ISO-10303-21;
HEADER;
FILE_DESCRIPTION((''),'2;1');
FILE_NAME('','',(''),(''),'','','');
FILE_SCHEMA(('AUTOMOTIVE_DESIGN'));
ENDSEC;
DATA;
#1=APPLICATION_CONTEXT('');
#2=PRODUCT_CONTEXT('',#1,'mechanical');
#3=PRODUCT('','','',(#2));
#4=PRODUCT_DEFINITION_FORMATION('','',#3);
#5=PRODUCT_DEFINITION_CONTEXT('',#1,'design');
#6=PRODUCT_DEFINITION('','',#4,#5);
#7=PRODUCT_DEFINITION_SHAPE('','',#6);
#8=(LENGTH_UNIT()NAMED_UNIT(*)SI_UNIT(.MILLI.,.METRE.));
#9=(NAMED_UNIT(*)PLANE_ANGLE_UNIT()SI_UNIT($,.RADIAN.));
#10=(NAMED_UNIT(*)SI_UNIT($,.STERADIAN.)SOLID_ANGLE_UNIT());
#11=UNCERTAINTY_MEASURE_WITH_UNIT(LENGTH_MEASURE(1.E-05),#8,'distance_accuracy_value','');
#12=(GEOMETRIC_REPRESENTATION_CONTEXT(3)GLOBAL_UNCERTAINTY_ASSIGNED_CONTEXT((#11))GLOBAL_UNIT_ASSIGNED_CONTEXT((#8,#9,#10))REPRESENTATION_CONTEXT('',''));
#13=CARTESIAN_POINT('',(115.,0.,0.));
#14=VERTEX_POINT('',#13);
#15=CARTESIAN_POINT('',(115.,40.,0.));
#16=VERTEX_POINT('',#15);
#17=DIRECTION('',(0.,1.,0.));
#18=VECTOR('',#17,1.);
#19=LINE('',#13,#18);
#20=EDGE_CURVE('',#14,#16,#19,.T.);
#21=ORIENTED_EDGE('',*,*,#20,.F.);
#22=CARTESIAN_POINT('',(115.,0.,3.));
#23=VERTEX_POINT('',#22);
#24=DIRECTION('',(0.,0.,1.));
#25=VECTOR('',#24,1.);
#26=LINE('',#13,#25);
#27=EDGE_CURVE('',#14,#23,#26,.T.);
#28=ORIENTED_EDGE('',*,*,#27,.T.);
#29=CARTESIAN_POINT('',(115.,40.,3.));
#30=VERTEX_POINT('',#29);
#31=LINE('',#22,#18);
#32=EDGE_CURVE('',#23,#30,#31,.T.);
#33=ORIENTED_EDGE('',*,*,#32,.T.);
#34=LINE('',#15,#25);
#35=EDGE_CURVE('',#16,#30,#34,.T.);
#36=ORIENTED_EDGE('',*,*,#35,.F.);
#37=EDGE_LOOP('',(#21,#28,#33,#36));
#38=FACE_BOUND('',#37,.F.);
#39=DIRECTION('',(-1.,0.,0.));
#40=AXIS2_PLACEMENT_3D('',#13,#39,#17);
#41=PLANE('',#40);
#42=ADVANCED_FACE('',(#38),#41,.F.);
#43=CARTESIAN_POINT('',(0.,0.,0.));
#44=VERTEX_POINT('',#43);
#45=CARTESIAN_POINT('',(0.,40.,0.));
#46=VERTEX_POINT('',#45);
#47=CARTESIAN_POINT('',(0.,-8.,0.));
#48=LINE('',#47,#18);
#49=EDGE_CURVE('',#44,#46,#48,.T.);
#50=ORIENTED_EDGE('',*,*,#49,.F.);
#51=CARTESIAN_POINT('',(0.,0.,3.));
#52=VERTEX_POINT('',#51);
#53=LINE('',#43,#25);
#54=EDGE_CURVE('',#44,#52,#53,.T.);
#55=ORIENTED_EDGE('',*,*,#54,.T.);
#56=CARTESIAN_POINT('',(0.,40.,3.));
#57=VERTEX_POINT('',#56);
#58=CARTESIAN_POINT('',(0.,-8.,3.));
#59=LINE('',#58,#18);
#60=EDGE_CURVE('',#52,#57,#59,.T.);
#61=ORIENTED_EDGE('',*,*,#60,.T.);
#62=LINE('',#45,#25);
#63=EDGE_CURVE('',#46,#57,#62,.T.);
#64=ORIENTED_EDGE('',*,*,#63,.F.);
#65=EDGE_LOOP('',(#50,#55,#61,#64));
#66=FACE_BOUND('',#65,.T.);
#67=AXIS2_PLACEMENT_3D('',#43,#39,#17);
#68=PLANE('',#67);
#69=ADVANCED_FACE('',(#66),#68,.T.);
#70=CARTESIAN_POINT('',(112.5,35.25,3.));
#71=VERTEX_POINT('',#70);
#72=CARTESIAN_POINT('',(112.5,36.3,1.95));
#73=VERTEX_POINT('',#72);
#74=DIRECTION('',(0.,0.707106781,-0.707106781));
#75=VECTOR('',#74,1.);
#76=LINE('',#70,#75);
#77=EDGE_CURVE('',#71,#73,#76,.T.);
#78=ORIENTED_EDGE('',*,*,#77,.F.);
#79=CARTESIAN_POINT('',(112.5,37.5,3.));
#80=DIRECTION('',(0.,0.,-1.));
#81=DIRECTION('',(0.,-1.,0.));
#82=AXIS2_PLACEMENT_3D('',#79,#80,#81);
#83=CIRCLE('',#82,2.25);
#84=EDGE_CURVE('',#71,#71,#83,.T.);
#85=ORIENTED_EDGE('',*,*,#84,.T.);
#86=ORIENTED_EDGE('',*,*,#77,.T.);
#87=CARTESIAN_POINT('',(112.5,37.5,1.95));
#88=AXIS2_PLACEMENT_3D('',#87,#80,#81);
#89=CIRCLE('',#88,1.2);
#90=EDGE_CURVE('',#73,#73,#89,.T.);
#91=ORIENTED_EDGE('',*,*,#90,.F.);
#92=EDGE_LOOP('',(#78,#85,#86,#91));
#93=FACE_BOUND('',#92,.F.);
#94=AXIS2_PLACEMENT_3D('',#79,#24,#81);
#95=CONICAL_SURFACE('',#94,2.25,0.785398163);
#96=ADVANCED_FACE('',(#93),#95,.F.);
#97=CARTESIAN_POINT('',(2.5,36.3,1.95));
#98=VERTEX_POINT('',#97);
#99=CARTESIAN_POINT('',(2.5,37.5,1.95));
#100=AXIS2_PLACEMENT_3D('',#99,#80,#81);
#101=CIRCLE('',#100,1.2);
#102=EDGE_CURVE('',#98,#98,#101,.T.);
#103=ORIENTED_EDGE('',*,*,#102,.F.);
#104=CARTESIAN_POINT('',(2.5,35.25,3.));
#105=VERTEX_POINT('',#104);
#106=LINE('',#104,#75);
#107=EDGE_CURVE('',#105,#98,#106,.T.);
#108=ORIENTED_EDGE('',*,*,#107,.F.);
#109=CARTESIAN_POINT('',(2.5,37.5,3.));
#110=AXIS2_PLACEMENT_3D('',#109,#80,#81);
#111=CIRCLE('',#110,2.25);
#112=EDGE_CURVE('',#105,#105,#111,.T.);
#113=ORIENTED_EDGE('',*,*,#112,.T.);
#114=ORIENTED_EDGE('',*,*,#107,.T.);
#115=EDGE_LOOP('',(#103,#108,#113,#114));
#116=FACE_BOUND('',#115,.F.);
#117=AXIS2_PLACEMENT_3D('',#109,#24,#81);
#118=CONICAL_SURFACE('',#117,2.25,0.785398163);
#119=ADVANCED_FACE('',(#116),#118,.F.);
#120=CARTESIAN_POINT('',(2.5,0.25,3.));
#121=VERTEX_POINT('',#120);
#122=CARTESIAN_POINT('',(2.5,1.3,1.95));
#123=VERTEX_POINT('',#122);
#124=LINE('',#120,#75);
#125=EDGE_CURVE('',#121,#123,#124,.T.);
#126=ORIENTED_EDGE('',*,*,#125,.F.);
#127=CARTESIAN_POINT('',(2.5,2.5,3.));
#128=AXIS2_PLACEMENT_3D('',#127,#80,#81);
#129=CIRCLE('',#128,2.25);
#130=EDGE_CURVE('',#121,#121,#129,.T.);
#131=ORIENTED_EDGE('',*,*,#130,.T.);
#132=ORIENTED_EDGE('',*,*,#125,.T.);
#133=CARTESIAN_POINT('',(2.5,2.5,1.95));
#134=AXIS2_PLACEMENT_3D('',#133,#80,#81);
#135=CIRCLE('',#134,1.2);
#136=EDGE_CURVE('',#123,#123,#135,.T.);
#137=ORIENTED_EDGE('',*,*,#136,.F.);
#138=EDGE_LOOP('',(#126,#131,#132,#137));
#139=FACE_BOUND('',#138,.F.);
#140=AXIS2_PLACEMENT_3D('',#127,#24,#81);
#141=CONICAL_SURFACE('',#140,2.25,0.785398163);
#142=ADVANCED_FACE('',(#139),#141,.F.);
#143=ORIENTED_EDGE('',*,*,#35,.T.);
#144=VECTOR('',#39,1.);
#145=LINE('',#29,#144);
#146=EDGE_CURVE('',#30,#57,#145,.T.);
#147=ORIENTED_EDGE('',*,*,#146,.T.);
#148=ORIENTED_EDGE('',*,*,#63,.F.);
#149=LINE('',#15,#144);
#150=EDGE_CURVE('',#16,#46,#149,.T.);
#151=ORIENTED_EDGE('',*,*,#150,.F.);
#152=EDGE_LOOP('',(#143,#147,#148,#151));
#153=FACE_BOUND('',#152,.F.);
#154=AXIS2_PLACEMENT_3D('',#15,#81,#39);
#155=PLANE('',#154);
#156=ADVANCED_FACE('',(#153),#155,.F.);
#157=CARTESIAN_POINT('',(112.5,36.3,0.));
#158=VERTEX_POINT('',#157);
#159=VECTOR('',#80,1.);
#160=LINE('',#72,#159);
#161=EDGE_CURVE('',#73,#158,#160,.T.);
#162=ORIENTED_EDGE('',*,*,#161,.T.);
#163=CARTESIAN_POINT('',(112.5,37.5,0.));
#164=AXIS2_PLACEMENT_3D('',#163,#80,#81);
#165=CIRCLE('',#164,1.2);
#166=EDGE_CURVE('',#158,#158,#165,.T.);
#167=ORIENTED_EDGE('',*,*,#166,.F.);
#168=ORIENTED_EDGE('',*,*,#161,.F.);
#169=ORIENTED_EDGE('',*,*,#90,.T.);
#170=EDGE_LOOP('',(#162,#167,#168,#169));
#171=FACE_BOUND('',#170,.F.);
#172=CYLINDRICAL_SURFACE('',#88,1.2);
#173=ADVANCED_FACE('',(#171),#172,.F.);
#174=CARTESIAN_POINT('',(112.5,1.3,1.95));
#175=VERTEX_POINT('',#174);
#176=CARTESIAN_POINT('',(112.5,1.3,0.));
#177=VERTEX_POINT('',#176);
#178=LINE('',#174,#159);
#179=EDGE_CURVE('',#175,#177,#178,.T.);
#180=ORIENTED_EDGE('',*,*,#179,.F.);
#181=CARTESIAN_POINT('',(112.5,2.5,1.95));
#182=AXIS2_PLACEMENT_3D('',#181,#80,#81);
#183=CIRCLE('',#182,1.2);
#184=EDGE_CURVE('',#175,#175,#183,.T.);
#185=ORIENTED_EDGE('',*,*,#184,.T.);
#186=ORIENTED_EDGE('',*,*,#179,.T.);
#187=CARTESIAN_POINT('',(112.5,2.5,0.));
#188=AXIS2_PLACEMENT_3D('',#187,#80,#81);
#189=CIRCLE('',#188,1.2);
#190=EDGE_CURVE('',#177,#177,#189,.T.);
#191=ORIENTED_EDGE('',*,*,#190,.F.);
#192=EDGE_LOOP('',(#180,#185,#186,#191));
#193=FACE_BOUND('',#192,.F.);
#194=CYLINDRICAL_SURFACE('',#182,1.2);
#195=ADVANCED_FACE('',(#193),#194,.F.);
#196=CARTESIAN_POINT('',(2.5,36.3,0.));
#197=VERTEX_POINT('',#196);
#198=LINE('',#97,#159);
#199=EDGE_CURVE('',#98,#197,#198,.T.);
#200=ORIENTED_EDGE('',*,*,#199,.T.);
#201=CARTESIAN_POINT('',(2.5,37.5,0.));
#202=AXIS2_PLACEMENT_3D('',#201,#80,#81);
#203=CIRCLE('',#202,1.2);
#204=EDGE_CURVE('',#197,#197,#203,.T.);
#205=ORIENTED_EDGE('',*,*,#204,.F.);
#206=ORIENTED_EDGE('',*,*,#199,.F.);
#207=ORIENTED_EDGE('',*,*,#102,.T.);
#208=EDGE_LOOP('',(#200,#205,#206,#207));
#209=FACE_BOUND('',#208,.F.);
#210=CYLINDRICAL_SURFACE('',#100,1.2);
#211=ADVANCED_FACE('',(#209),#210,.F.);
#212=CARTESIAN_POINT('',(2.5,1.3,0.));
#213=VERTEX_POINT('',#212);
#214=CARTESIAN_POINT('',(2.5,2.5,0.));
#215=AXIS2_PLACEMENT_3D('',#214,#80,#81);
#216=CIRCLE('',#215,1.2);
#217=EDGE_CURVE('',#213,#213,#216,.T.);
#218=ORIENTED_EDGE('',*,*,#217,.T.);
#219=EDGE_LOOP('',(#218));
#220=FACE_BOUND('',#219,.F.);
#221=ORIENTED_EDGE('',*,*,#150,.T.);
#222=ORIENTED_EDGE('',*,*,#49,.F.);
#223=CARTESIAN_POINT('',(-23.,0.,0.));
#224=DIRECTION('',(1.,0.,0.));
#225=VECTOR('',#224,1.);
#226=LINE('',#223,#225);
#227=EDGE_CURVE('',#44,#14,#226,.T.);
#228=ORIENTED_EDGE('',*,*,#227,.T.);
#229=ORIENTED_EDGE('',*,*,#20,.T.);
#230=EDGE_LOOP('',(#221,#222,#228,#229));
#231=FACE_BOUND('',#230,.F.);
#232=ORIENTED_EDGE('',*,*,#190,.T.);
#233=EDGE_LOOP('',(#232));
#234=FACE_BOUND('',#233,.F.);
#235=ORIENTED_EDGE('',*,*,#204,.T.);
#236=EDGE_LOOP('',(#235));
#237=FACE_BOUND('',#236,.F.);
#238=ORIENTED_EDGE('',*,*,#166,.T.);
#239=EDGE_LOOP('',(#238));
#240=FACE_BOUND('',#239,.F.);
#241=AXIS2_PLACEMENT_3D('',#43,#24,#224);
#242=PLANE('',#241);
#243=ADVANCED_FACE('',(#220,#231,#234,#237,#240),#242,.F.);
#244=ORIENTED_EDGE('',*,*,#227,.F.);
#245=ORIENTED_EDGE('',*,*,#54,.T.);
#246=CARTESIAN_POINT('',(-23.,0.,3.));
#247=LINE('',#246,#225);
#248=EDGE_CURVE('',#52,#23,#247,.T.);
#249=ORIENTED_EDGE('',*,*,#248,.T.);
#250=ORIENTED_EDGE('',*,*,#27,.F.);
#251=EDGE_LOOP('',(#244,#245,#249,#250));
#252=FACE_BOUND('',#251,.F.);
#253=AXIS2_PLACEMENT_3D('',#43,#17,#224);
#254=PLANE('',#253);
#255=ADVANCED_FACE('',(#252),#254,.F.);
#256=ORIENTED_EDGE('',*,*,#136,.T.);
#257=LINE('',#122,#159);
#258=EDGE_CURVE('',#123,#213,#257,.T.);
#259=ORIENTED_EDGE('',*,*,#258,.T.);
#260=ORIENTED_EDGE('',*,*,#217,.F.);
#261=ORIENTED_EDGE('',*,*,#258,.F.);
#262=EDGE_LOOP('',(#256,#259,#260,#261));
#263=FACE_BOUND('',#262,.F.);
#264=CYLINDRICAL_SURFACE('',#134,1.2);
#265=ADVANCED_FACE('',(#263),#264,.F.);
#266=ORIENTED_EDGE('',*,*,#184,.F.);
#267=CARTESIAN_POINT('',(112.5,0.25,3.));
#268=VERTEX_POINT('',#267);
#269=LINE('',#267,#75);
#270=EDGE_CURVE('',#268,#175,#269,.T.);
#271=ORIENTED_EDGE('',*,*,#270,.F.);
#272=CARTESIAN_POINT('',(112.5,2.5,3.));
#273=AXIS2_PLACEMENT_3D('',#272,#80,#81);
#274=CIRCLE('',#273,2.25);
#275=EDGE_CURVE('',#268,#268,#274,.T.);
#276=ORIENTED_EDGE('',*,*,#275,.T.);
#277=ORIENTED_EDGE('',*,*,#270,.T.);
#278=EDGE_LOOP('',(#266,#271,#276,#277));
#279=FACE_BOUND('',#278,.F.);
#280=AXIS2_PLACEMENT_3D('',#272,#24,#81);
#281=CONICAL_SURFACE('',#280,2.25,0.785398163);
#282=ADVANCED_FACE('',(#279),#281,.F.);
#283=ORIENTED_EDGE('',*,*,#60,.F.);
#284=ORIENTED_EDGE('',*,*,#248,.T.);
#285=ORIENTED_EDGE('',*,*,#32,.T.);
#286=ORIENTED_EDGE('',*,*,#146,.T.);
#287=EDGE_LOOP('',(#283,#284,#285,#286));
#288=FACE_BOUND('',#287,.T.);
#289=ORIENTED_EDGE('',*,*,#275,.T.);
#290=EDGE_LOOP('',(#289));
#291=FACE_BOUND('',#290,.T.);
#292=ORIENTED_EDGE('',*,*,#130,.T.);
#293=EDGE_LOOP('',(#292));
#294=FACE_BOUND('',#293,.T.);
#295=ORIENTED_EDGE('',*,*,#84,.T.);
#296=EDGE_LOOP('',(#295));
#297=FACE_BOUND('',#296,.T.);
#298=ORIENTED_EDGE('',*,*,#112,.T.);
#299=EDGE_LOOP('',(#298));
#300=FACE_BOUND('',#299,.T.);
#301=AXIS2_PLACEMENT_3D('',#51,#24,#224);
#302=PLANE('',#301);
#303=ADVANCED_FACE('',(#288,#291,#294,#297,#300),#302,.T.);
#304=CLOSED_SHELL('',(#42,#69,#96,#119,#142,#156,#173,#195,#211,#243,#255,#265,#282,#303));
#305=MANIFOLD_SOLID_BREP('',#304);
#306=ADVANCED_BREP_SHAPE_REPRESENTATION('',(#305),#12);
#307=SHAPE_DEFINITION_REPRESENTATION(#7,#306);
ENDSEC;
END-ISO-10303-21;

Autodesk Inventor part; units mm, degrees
ref_plane "YZ Plane" through (0, 0, 0) normal (1, 0, 0) x (0, 1, 0)
ref_plane "XZ Plane" through (0, 0, 0) normal (0, 1, 0) x (-1, 0, 0)
ref_plane "XY Plane" through (0, 0, 0) normal (0, 0, 1) x (1, 0, 0)
sketch "Skizze1" plane through (0, 0, 0) normal (0, 0, 1) x (1, 0, 0)
  line L0 (-23, 0) -> (138, 0) projected
  line L1 (0, -8) -> (0, 48) projected
  line L2 (0, 0) -> (115, 0)
  line L3 (115, 0) -> (115, 40)
  line L4 (115, 40) -> (0, 40)
  line L5 (0, 40) -> (0, 0)
  dimension "d0" = 40
  dimension "d1" = 115
extrude "Extrusion1" add sketch "Skizze1" along normal blind 3
sketch "Skizze2" plane through (0, 0, 3) normal (0, 0, 1) x (1, 0, 0)
  line L0 (0, 0) -> (115, 0) projected
  line L1 (115, 0) -> (115, 40) projected
  line L2 (115, 40) -> (0, 40) projected
  line L3 (0, 40) -> (0, 0) projected
  line L4 (2.5, 37.5) -> (112.5, 37.5)
  line L5 (112.5, 37.5) -> (112.5, 2.5)
  line L6 (112.5, 2.5) -> (2.5, 2.5)
  line L7 (2.5, 2.5) -> (2.5, 37.5)
  dimension "d5" = 2.5
hole "Bohrung1" at (2.5, 37.5, 3) at (2.5, 2.5, 3) at (112.5, 2.5, 3) at (112.5, 37.5, 3) direction (0, 0, -1) diameter 2.4 end through all countersink diameter 4.5 countersink angle 90
properties part number "13_1087_024"
